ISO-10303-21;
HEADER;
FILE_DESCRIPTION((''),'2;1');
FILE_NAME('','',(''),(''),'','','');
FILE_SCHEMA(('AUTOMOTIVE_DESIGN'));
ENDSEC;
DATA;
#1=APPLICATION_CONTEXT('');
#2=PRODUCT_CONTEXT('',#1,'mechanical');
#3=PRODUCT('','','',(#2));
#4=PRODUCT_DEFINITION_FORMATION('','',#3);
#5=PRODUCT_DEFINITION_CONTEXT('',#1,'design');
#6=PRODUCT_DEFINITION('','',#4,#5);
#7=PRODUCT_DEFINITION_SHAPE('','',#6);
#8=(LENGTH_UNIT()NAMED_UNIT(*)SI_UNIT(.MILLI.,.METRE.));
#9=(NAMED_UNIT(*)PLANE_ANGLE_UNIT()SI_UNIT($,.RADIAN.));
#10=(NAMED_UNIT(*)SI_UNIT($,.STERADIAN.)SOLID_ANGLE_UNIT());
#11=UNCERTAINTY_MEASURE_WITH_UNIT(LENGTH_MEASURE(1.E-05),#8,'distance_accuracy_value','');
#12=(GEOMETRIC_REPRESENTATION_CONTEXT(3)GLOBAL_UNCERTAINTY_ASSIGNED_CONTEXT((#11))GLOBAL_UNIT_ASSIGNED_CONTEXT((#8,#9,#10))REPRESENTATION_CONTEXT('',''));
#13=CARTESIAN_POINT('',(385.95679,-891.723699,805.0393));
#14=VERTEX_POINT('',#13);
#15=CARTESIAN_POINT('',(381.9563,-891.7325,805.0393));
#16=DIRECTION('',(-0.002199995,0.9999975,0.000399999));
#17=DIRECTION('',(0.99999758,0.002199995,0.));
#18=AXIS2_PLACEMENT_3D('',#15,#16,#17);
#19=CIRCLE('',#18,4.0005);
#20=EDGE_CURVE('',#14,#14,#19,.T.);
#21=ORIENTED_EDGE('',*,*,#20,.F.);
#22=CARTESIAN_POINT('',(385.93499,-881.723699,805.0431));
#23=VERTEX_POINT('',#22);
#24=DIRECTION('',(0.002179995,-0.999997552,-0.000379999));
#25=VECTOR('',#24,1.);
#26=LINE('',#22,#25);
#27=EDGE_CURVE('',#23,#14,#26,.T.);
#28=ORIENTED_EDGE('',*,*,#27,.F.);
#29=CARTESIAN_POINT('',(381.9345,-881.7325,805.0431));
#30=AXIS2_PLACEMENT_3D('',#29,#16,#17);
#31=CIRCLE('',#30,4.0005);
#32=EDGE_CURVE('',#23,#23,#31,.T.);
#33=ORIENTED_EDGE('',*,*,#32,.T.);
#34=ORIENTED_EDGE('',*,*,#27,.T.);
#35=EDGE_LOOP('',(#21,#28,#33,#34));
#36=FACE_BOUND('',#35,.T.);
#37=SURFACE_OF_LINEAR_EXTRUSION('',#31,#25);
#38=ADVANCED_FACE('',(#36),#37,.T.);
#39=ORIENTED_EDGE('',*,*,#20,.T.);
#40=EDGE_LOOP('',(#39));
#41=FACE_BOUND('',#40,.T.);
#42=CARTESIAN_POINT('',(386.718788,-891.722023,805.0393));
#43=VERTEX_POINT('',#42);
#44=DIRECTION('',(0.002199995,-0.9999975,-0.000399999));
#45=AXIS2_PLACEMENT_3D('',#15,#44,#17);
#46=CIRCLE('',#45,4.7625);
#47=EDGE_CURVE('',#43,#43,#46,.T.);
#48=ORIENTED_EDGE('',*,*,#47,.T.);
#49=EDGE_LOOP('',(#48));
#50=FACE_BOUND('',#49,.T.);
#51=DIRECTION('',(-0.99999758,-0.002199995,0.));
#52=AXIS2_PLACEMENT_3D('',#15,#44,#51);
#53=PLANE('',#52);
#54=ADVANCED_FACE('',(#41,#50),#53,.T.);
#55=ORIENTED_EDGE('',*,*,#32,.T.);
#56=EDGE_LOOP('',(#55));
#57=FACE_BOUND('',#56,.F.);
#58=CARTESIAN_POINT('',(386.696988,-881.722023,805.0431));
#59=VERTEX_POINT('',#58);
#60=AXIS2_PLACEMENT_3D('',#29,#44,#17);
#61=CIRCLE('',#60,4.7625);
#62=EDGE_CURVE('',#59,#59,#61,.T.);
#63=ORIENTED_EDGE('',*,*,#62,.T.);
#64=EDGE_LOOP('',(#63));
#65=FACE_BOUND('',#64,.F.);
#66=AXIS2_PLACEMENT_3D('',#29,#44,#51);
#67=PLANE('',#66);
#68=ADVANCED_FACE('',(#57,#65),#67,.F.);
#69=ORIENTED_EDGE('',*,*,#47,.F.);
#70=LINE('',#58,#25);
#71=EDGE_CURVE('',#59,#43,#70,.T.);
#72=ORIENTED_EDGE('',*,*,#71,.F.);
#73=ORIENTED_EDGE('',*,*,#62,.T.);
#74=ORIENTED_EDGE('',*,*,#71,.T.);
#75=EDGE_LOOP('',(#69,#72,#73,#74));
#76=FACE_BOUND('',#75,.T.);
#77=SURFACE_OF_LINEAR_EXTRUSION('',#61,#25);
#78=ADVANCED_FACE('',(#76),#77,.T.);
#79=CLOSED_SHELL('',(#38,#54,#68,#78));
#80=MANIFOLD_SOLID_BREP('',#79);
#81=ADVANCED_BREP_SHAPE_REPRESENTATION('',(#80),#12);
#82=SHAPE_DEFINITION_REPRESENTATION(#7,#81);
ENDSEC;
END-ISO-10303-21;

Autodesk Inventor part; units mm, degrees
ref_plane "YZ Plane" through (0, 0, 0) normal (1, 0, 0) x (0, 1, 0)
ref_plane "XZ Plane" through (0, 0, 0) normal (0, 1, 0) x (-1, 0, 0)
ref_plane "Work Plane5" through (381.9345, -881.7325, 805.0431) normal (0.0022, -1, -0.0004) x (1, 0.0022, 0)
sketch "Sketch7" plane through (381.9345, -881.7325, 805.0431) normal (0.0022, -1, -0.0004) x (1, 0.0022, 0)
  circle A0 centre (0, 0) radius 4.7625
  circle A1 centre (0, 0) radius 4.0005
sketch3d "3D Sketch5"
  line L0 (381.9345, -881.7325, 805.0431) -> (381.9563, -891.7325, 805.0393)
sweep "Sweep5" add profiles "Sketch7" path "3D Sketch5"
equation "\"OD\" = 9.525"
equation "\"t\" = 0.762"
equation "\"L\" = PL"
equation "\"ID\" = 8.001"
equation "\"PL\" = 10.0076"
equation "\"Size_Designation\" = 1.2345"
properties material "Copper"
